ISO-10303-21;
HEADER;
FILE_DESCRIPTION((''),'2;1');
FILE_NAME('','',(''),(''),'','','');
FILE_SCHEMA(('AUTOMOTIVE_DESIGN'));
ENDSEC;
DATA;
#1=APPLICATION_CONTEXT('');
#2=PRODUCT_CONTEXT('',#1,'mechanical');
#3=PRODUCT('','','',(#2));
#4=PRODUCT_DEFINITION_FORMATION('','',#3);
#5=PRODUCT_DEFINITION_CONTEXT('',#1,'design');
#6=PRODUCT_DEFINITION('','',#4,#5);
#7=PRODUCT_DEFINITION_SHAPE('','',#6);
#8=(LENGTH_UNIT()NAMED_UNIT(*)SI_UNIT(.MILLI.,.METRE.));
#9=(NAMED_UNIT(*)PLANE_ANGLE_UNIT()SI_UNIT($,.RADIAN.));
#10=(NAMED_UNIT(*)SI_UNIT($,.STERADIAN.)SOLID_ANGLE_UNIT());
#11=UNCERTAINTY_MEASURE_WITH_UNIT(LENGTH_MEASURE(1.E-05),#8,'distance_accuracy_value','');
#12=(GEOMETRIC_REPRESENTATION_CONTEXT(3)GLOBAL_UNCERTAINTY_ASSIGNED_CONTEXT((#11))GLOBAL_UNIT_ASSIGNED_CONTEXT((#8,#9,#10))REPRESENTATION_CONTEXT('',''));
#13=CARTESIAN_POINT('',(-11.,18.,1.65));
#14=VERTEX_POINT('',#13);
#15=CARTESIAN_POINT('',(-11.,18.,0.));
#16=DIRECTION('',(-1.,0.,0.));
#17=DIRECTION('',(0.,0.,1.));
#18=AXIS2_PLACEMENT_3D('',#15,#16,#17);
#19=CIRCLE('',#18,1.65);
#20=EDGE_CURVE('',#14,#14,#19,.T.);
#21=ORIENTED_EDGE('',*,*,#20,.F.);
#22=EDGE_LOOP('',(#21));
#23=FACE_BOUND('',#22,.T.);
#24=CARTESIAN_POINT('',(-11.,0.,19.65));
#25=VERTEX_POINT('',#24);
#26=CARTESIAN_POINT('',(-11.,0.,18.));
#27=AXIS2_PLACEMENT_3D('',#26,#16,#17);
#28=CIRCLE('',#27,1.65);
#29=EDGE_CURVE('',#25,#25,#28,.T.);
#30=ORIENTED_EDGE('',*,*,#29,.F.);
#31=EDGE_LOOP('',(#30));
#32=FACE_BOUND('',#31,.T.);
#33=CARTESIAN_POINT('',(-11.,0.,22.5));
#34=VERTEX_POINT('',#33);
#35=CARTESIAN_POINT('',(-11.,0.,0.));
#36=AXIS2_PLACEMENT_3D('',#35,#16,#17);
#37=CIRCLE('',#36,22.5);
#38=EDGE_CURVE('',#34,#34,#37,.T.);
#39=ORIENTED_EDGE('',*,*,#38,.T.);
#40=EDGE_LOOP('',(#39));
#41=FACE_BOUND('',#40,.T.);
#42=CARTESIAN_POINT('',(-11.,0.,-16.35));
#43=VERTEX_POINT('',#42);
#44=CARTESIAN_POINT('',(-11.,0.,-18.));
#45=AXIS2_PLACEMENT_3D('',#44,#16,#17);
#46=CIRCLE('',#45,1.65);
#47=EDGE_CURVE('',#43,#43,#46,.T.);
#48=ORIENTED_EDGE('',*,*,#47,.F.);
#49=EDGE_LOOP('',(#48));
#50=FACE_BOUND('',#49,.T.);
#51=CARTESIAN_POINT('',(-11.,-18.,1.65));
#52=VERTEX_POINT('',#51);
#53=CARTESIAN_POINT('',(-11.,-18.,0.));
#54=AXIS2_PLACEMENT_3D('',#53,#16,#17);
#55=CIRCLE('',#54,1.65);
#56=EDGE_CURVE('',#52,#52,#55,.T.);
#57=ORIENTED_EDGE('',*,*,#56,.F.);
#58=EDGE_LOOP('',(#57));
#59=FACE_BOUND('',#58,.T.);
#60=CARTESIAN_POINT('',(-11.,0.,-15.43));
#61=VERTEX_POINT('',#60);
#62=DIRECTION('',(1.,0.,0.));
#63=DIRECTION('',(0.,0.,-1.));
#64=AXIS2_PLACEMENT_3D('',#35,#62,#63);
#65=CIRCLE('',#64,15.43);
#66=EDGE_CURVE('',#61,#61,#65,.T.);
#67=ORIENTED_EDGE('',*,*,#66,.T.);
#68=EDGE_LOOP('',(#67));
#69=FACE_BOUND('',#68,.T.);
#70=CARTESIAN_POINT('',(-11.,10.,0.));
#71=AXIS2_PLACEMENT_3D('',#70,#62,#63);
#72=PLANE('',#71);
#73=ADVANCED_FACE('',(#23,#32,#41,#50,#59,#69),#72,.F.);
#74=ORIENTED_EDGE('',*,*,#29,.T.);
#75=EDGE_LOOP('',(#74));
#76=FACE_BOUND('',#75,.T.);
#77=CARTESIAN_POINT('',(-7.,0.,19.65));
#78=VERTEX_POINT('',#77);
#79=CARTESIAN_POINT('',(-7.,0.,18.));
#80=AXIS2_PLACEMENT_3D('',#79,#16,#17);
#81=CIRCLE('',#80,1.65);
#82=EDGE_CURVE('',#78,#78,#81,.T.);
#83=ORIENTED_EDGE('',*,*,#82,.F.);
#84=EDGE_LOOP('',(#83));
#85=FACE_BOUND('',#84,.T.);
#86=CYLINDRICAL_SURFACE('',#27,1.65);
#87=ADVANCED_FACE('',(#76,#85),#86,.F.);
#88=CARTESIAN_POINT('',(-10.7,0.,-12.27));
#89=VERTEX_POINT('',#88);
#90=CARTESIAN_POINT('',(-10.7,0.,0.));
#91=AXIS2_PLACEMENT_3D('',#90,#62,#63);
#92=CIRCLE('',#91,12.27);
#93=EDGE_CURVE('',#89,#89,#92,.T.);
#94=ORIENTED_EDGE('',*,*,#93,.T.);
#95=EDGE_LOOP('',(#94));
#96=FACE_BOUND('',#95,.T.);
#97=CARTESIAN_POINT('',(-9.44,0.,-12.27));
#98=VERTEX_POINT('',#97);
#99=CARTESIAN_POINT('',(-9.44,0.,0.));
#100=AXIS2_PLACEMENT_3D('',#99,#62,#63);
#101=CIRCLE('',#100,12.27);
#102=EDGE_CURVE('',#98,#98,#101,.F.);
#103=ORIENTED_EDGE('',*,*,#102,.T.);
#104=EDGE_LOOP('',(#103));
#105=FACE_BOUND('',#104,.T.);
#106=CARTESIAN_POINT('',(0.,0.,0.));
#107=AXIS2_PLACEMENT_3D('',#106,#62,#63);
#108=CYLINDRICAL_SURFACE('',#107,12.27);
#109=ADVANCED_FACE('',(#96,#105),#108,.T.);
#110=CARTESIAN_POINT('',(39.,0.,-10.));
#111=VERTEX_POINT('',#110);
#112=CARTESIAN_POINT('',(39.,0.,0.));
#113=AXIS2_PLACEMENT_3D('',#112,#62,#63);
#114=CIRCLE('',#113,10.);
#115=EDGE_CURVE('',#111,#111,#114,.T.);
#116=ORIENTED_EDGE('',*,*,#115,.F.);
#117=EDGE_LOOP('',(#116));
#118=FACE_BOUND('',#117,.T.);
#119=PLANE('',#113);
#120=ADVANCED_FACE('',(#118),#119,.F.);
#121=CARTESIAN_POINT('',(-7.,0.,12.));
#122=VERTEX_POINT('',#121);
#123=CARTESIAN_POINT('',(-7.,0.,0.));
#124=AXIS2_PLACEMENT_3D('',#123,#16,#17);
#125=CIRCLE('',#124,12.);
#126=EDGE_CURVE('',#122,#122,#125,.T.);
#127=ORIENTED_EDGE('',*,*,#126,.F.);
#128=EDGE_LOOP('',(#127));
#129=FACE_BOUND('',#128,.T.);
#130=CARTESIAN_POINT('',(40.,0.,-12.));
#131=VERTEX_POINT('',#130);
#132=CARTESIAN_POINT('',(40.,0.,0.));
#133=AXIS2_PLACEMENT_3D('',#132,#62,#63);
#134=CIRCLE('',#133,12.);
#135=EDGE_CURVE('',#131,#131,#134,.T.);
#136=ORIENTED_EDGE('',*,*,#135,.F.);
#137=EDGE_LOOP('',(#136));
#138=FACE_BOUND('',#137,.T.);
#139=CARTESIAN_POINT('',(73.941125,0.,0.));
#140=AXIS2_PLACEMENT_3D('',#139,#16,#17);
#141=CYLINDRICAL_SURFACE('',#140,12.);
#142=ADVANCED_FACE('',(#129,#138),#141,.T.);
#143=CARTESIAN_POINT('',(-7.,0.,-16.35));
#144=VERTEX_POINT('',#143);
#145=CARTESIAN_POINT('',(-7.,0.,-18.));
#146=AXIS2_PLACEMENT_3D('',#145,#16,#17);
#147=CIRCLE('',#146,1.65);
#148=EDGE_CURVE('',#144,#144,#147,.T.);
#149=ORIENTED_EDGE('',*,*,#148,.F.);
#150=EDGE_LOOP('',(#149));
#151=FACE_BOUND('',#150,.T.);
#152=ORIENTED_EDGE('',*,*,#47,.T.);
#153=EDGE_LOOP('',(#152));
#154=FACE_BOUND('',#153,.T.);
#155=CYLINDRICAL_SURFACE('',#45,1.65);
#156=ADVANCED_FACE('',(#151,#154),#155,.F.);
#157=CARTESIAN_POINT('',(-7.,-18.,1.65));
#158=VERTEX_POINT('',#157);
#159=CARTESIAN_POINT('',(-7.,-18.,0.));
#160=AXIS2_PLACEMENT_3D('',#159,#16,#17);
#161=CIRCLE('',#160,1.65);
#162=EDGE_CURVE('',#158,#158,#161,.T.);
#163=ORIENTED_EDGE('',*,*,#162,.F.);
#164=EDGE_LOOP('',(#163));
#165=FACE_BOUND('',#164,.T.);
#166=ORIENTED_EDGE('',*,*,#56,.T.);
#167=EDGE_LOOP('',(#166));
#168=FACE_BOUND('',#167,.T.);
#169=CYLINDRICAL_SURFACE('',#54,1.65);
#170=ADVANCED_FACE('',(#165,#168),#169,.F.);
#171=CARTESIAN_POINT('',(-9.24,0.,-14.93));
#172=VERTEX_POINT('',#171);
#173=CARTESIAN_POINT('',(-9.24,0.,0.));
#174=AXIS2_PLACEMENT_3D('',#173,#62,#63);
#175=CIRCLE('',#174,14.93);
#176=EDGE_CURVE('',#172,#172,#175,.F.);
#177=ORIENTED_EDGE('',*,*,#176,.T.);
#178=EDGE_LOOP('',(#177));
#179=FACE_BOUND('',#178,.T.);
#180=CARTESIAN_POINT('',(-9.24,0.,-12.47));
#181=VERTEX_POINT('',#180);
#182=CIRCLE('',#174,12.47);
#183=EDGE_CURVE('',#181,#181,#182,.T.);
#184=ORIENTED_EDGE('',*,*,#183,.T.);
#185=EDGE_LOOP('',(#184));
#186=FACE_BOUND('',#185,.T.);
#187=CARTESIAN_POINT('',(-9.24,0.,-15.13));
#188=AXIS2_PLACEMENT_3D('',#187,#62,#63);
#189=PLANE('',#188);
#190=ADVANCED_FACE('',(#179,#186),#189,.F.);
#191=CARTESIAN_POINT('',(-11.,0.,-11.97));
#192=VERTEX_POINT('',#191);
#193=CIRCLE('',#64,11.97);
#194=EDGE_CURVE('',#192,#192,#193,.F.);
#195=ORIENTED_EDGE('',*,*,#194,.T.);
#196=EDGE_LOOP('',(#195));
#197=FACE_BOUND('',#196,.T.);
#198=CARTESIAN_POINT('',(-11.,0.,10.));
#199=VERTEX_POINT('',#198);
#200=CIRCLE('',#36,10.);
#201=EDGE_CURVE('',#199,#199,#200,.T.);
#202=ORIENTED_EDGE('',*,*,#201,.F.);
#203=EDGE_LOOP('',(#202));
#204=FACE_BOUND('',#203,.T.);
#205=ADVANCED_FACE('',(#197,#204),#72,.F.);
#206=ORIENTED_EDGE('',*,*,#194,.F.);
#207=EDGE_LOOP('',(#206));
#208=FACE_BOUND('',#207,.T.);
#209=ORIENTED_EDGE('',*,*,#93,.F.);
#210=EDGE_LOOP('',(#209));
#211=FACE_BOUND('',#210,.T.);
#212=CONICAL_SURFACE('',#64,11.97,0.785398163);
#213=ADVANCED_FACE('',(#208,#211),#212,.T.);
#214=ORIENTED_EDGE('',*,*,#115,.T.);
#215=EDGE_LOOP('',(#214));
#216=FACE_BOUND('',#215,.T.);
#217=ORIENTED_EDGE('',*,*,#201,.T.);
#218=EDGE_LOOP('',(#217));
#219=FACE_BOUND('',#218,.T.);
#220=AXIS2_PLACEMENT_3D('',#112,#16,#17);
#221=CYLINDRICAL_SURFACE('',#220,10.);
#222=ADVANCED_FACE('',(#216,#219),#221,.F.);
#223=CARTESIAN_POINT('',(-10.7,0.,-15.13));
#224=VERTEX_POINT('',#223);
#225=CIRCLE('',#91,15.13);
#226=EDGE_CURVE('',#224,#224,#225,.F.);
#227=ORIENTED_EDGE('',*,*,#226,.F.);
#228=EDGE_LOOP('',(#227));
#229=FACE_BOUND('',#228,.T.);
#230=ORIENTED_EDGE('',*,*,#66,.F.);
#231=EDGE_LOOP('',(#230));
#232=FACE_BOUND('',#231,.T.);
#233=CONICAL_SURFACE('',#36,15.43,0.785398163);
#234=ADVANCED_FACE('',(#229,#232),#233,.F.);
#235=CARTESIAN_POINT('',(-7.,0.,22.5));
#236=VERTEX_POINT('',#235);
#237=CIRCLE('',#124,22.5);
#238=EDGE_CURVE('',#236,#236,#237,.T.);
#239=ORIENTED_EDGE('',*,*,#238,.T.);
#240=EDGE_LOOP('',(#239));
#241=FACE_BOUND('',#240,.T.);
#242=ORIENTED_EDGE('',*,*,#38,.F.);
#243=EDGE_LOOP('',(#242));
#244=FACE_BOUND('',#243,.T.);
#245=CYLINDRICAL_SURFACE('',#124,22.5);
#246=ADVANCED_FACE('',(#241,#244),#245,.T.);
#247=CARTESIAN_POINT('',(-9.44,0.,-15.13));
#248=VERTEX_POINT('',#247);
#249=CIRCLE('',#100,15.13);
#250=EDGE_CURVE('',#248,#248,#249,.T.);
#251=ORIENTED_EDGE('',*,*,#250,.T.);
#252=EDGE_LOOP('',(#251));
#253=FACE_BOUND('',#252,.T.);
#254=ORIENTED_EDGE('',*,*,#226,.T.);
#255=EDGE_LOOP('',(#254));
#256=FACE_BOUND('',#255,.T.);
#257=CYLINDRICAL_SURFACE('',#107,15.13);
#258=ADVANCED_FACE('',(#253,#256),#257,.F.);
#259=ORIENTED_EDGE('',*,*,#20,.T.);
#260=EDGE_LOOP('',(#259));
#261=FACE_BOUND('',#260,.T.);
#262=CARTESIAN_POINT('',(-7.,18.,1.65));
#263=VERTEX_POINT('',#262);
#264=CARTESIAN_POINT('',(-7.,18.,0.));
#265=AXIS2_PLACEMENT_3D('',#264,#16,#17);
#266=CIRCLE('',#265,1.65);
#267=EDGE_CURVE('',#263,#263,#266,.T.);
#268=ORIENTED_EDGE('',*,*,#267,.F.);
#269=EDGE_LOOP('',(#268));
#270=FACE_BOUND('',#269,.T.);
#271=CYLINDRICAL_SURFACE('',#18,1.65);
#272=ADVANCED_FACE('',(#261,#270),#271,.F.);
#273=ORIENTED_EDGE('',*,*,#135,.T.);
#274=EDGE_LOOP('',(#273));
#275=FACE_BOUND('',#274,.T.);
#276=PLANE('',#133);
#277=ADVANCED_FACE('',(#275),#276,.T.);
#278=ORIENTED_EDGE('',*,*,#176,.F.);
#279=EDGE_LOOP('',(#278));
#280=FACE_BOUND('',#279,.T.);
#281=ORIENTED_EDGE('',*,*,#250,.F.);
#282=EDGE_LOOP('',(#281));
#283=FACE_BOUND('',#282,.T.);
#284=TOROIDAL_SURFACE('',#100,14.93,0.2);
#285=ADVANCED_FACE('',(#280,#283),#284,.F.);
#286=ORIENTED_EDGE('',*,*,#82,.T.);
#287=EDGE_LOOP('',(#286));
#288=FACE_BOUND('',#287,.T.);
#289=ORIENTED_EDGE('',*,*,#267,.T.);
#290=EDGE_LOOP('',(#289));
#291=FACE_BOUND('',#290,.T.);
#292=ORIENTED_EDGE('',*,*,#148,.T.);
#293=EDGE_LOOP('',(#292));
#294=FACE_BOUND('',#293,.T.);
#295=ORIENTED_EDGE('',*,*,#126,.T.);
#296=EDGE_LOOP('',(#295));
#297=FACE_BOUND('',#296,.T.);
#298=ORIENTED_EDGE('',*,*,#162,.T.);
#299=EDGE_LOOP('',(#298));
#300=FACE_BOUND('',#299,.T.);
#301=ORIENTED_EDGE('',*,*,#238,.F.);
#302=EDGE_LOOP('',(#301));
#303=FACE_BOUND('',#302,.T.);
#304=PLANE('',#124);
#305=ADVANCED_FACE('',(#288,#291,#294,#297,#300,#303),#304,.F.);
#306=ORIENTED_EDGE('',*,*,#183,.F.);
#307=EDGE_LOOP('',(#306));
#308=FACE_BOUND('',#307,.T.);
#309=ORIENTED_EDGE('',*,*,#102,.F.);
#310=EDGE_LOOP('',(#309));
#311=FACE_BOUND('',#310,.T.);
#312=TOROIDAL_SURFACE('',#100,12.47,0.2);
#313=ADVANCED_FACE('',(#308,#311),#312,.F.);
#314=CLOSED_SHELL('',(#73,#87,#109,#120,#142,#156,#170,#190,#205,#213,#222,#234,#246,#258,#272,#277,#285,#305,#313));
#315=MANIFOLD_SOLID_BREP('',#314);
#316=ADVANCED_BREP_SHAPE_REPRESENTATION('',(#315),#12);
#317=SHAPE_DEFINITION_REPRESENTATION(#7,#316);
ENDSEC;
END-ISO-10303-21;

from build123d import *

# Parameters (mm, degrees)
SKETCH_1_W                  = 31
SKETCH_1_H                  = 2
SKETCH_6_R                  = 22.5
SKETCH_6_R_2                = 12
EXTRUDE_1_DEPTH             = 4
SKETCH_8_R                  = 12
SKETCH_8_R_2                = 10
EXTRUDE_3_DEPTH             = 10
SKETCH_9_R                  = 12
EXTRUDE_5_DEPTH             = 10
SKETCH_18_R                 = 10
CUT_EXTRUDE_1_DEPTH         = 46
SKETCH_17_W                 = 1.65
SKETCH_17_H                 = 51
HOLE_WIZARD_M4_1_AT_2_COUNT = 2
HOLE_WIZARD_M4_1_AT_2_PITCH = 25.455844123
HOLE_WIZARD_M4_1_AT_3_COUNT = 2
HOLE_WIZARD_M4_1_AT_3_PITCH = 36
HOLE_WIZARD_M4_1_AT_4_COUNT = 2
HOLE_WIZARD_M4_1_AT_4_PITCH = 25.455844123
SKETCH_12_W                 = 1
SKETCH_12_H                 = 2
CUT_EXTRUDE_START           = -10
SKETCH_19_R                 = 12
SKETCH_19_R_2               = 11
CUT_EXTRUDE_3_DEPTH         = 10
SKETCH_20_W                 = 2.76
SKETCH_20_H                 = 2.86
FILLET_1_R                  = 0.2
CHAMFER_1_SIZE              = 0.3
CHAMFER_2_SIZE              = 0.3
SKETCH_21_R                 = 12
SKETCH_21_R_2               = 11
EXTRUDE_6_DEPTH             = 10


with BuildPart() as part:
    # 草图1 → 旋转1 (revolve)
    with BuildSketch(Plane.XY, mode=Mode.PRIVATE) as revolve_1_sk:
        with Locations((4.5, 11)):
            Rectangle(SKETCH_1_W, SKETCH_1_H)
    revolve(revolve_1_sk.sketch.rotate(Axis((-11, 0, 0), (1, 0, 0)), 90), axis=Axis((-11, 0, 0), (1, 0, 0)))

    # 草图6 → 凸台-拉伸1 (add)
    with BuildSketch(Plane.ZY.offset(11)):
        Circle(SKETCH_6_R)
        Circle(SKETCH_6_R_2, mode=Mode.SUBTRACT)
    extrude(amount=-EXTRUDE_1_DEPTH)

    # 草图8 → 凸台-拉伸3 (add)
    with BuildSketch(Plane(origin=(20, 0, 0), x_dir=(0, 0, -1), z_dir=(1, 0, 0))):
        with Locations(Location((0, 0, 0), (0, 0, 180))):
            Circle(SKETCH_8_R)
        with Locations(Location((0, 0, 0), (0, 0, 180))):
            Circle(SKETCH_8_R_2, mode=Mode.SUBTRACT)
    extrude(amount=EXTRUDE_3_DEPTH)

    # 草图17 → M4 螺纹孔1 (revolve, cut)
    with BuildSketch(Plane(origin=(-11, 18, 0), x_dir=(0, 0, 1), z_dir=(0, 1, 0))):
        with Locations((0.825, 25.5)):
            Rectangle(SKETCH_17_W, SKETCH_17_H)
    hole_wizard_m4_1 = revolve(axis=Axis((-17.35, 18, 0), (1, 0, 0)), mode=Mode.SUBTRACT)

    # M4 螺纹孔1 at 2: M4 螺纹孔1 ×2
    with Locations(*[Vector(0, -0.7071067811865476, 0.7071067811865476) * (i * HOLE_WIZARD_M4_1_AT_2_PITCH) for i in range(1, HOLE_WIZARD_M4_1_AT_2_COUNT)]):
        add(hole_wizard_m4_1, mode=Mode.SUBTRACT)

    # M4 螺纹孔1 at 3: M4 螺纹孔1 ×2
    with Locations(*[(0, -i * HOLE_WIZARD_M4_1_AT_3_PITCH, 0) for i in range(1, HOLE_WIZARD_M4_1_AT_3_COUNT)]):
        add(hole_wizard_m4_1, mode=Mode.SUBTRACT)

    # M4 螺纹孔1 at 4: M4 螺纹孔1 ×2
    with Locations(*[Vector(0, -0.7071067811865477, -0.7071067811865475) * (i * HOLE_WIZARD_M4_1_AT_4_PITCH) for i in range(1, HOLE_WIZARD_M4_1_AT_4_COUNT)]):
        add(hole_wizard_m4_1, mode=Mode.SUBTRACT)

    # 草图20 → 切除-旋转3 (revolve, cut)
    with BuildSketch(Plane(origin=(0, 0, 0), x_dir=(1, 0, 0), z_dir=(0, 1, 0)), mode=Mode.PRIVATE) as cut_revolve_3_sk:
        with Locations((-10.62, 13.7)):
            Rectangle(SKETCH_20_W, SKETCH_20_H)
    revolve(cut_revolve_3_sk.sketch.rotate(Axis((0, 0, 0), (-1, 0, 0)), 180), axis=Axis((0, 0, 0), (-1, 0, 0)), mode=Mode.SUBTRACT)

    # 圆角1
    fillet_1_edges = [part.edges().sort_by_distance(p)[0] for p in [
        (-9.24, 0, -12.27),
        (-9.24, 0, -15.13),
    ]]
    fillet(fillet_1_edges, radius=FILLET_1_R)

    # 倒角1
    chamfer_1_edges = [part.edges().sort_by_distance(p)[0] for p in [
        (-11, 0, -15.13),
    ]]
    chamfer(chamfer_1_edges, length=CHAMFER_1_SIZE)

    # 倒角2
    chamfer_2_edges = [part.edges().sort_by_distance(p)[0] for p in [
        (-11, 0, -12.27),
    ]]
    chamfer(chamfer_2_edges, length=CHAMFER_2_SIZE)



with BuildPart() as body_2:
    # 草图9 → 凸台-拉伸5 (new body)
    with BuildSketch(Plane(origin=(30, 0, 0), x_dir=(0, 0, -1), z_dir=(1, 0, 0))):
        Circle(SKETCH_9_R)
    extrude(amount=EXTRUDE_5_DEPTH)

    # 草图18 → 切除-拉伸1 (cut)
    with BuildSketch(Plane(origin=(-7, 0, 0), x_dir=(0, 0, -1), z_dir=(1, 0, 0))):
        Circle(SKETCH_18_R)
    extrude(amount=CUT_EXTRUDE_1_DEPTH, mode=Mode.SUBTRACT)

    # 草图12 → 切除-旋转2 (revolve, cut)
    with BuildSketch(Plane.XY, mode=Mode.PRIVATE) as cut_revolve_2_sk:
        with Locations((33.5, -12)):
            Rectangle(SKETCH_12_W, SKETCH_12_H)
        with Locations((31.5, -12)):
            Rectangle(SKETCH_12_W, SKETCH_12_H)
        with Locations((35.5, -12)):
            Rectangle(SKETCH_12_W, SKETCH_12_H)
        with Locations((37.5, -12)):
            Rectangle(SKETCH_12_W, SKETCH_12_H)
        with Locations((39.5, -12)):
            Rectangle(SKETCH_12_W, SKETCH_12_H)
    revolve(cut_revolve_2_sk.sketch.rotate(Axis((0, 0, 0), (1, 0, 0)), 270), axis=Axis((0, 0, 0), (1, 0, 0)), mode=Mode.SUBTRACT)

    # 草图19 → 切除-拉伸3 (cut)
    with BuildSketch(Plane(origin=(40, 0, 0), x_dir=(0, 0, -1), z_dir=(1, 0, 0)).offset(CUT_EXTRUDE_START)):
        with Locations(Location((0, 0, 0), (0, 0, 180))):
            Circle(SKETCH_19_R)
        with Locations(Location((0, 0, 0), (0, 0, 180))):
            Circle(SKETCH_19_R_2, mode=Mode.SUBTRACT)
    extrude(amount=CUT_EXTRUDE_3_DEPTH, mode=Mode.SUBTRACT)


with BuildPart() as part_1:
    add(part.part)

    add(body_2.part)  # 凸台-拉伸6 merges body 2
    # 草图21 → 凸台-拉伸6 (add)
    with BuildSketch(Plane(origin=(30, 0, 0), x_dir=(0, 0, -1), z_dir=(1, 0, 0))):
        with Locations(Location((0, 0, 0), (0, 0, 180))):
            Circle(SKETCH_21_R)
        Circle(SKETCH_21_R_2, mode=Mode.SUBTRACT)
    extrude(amount=EXTRUDE_6_DEPTH)


solid = part_1.part
